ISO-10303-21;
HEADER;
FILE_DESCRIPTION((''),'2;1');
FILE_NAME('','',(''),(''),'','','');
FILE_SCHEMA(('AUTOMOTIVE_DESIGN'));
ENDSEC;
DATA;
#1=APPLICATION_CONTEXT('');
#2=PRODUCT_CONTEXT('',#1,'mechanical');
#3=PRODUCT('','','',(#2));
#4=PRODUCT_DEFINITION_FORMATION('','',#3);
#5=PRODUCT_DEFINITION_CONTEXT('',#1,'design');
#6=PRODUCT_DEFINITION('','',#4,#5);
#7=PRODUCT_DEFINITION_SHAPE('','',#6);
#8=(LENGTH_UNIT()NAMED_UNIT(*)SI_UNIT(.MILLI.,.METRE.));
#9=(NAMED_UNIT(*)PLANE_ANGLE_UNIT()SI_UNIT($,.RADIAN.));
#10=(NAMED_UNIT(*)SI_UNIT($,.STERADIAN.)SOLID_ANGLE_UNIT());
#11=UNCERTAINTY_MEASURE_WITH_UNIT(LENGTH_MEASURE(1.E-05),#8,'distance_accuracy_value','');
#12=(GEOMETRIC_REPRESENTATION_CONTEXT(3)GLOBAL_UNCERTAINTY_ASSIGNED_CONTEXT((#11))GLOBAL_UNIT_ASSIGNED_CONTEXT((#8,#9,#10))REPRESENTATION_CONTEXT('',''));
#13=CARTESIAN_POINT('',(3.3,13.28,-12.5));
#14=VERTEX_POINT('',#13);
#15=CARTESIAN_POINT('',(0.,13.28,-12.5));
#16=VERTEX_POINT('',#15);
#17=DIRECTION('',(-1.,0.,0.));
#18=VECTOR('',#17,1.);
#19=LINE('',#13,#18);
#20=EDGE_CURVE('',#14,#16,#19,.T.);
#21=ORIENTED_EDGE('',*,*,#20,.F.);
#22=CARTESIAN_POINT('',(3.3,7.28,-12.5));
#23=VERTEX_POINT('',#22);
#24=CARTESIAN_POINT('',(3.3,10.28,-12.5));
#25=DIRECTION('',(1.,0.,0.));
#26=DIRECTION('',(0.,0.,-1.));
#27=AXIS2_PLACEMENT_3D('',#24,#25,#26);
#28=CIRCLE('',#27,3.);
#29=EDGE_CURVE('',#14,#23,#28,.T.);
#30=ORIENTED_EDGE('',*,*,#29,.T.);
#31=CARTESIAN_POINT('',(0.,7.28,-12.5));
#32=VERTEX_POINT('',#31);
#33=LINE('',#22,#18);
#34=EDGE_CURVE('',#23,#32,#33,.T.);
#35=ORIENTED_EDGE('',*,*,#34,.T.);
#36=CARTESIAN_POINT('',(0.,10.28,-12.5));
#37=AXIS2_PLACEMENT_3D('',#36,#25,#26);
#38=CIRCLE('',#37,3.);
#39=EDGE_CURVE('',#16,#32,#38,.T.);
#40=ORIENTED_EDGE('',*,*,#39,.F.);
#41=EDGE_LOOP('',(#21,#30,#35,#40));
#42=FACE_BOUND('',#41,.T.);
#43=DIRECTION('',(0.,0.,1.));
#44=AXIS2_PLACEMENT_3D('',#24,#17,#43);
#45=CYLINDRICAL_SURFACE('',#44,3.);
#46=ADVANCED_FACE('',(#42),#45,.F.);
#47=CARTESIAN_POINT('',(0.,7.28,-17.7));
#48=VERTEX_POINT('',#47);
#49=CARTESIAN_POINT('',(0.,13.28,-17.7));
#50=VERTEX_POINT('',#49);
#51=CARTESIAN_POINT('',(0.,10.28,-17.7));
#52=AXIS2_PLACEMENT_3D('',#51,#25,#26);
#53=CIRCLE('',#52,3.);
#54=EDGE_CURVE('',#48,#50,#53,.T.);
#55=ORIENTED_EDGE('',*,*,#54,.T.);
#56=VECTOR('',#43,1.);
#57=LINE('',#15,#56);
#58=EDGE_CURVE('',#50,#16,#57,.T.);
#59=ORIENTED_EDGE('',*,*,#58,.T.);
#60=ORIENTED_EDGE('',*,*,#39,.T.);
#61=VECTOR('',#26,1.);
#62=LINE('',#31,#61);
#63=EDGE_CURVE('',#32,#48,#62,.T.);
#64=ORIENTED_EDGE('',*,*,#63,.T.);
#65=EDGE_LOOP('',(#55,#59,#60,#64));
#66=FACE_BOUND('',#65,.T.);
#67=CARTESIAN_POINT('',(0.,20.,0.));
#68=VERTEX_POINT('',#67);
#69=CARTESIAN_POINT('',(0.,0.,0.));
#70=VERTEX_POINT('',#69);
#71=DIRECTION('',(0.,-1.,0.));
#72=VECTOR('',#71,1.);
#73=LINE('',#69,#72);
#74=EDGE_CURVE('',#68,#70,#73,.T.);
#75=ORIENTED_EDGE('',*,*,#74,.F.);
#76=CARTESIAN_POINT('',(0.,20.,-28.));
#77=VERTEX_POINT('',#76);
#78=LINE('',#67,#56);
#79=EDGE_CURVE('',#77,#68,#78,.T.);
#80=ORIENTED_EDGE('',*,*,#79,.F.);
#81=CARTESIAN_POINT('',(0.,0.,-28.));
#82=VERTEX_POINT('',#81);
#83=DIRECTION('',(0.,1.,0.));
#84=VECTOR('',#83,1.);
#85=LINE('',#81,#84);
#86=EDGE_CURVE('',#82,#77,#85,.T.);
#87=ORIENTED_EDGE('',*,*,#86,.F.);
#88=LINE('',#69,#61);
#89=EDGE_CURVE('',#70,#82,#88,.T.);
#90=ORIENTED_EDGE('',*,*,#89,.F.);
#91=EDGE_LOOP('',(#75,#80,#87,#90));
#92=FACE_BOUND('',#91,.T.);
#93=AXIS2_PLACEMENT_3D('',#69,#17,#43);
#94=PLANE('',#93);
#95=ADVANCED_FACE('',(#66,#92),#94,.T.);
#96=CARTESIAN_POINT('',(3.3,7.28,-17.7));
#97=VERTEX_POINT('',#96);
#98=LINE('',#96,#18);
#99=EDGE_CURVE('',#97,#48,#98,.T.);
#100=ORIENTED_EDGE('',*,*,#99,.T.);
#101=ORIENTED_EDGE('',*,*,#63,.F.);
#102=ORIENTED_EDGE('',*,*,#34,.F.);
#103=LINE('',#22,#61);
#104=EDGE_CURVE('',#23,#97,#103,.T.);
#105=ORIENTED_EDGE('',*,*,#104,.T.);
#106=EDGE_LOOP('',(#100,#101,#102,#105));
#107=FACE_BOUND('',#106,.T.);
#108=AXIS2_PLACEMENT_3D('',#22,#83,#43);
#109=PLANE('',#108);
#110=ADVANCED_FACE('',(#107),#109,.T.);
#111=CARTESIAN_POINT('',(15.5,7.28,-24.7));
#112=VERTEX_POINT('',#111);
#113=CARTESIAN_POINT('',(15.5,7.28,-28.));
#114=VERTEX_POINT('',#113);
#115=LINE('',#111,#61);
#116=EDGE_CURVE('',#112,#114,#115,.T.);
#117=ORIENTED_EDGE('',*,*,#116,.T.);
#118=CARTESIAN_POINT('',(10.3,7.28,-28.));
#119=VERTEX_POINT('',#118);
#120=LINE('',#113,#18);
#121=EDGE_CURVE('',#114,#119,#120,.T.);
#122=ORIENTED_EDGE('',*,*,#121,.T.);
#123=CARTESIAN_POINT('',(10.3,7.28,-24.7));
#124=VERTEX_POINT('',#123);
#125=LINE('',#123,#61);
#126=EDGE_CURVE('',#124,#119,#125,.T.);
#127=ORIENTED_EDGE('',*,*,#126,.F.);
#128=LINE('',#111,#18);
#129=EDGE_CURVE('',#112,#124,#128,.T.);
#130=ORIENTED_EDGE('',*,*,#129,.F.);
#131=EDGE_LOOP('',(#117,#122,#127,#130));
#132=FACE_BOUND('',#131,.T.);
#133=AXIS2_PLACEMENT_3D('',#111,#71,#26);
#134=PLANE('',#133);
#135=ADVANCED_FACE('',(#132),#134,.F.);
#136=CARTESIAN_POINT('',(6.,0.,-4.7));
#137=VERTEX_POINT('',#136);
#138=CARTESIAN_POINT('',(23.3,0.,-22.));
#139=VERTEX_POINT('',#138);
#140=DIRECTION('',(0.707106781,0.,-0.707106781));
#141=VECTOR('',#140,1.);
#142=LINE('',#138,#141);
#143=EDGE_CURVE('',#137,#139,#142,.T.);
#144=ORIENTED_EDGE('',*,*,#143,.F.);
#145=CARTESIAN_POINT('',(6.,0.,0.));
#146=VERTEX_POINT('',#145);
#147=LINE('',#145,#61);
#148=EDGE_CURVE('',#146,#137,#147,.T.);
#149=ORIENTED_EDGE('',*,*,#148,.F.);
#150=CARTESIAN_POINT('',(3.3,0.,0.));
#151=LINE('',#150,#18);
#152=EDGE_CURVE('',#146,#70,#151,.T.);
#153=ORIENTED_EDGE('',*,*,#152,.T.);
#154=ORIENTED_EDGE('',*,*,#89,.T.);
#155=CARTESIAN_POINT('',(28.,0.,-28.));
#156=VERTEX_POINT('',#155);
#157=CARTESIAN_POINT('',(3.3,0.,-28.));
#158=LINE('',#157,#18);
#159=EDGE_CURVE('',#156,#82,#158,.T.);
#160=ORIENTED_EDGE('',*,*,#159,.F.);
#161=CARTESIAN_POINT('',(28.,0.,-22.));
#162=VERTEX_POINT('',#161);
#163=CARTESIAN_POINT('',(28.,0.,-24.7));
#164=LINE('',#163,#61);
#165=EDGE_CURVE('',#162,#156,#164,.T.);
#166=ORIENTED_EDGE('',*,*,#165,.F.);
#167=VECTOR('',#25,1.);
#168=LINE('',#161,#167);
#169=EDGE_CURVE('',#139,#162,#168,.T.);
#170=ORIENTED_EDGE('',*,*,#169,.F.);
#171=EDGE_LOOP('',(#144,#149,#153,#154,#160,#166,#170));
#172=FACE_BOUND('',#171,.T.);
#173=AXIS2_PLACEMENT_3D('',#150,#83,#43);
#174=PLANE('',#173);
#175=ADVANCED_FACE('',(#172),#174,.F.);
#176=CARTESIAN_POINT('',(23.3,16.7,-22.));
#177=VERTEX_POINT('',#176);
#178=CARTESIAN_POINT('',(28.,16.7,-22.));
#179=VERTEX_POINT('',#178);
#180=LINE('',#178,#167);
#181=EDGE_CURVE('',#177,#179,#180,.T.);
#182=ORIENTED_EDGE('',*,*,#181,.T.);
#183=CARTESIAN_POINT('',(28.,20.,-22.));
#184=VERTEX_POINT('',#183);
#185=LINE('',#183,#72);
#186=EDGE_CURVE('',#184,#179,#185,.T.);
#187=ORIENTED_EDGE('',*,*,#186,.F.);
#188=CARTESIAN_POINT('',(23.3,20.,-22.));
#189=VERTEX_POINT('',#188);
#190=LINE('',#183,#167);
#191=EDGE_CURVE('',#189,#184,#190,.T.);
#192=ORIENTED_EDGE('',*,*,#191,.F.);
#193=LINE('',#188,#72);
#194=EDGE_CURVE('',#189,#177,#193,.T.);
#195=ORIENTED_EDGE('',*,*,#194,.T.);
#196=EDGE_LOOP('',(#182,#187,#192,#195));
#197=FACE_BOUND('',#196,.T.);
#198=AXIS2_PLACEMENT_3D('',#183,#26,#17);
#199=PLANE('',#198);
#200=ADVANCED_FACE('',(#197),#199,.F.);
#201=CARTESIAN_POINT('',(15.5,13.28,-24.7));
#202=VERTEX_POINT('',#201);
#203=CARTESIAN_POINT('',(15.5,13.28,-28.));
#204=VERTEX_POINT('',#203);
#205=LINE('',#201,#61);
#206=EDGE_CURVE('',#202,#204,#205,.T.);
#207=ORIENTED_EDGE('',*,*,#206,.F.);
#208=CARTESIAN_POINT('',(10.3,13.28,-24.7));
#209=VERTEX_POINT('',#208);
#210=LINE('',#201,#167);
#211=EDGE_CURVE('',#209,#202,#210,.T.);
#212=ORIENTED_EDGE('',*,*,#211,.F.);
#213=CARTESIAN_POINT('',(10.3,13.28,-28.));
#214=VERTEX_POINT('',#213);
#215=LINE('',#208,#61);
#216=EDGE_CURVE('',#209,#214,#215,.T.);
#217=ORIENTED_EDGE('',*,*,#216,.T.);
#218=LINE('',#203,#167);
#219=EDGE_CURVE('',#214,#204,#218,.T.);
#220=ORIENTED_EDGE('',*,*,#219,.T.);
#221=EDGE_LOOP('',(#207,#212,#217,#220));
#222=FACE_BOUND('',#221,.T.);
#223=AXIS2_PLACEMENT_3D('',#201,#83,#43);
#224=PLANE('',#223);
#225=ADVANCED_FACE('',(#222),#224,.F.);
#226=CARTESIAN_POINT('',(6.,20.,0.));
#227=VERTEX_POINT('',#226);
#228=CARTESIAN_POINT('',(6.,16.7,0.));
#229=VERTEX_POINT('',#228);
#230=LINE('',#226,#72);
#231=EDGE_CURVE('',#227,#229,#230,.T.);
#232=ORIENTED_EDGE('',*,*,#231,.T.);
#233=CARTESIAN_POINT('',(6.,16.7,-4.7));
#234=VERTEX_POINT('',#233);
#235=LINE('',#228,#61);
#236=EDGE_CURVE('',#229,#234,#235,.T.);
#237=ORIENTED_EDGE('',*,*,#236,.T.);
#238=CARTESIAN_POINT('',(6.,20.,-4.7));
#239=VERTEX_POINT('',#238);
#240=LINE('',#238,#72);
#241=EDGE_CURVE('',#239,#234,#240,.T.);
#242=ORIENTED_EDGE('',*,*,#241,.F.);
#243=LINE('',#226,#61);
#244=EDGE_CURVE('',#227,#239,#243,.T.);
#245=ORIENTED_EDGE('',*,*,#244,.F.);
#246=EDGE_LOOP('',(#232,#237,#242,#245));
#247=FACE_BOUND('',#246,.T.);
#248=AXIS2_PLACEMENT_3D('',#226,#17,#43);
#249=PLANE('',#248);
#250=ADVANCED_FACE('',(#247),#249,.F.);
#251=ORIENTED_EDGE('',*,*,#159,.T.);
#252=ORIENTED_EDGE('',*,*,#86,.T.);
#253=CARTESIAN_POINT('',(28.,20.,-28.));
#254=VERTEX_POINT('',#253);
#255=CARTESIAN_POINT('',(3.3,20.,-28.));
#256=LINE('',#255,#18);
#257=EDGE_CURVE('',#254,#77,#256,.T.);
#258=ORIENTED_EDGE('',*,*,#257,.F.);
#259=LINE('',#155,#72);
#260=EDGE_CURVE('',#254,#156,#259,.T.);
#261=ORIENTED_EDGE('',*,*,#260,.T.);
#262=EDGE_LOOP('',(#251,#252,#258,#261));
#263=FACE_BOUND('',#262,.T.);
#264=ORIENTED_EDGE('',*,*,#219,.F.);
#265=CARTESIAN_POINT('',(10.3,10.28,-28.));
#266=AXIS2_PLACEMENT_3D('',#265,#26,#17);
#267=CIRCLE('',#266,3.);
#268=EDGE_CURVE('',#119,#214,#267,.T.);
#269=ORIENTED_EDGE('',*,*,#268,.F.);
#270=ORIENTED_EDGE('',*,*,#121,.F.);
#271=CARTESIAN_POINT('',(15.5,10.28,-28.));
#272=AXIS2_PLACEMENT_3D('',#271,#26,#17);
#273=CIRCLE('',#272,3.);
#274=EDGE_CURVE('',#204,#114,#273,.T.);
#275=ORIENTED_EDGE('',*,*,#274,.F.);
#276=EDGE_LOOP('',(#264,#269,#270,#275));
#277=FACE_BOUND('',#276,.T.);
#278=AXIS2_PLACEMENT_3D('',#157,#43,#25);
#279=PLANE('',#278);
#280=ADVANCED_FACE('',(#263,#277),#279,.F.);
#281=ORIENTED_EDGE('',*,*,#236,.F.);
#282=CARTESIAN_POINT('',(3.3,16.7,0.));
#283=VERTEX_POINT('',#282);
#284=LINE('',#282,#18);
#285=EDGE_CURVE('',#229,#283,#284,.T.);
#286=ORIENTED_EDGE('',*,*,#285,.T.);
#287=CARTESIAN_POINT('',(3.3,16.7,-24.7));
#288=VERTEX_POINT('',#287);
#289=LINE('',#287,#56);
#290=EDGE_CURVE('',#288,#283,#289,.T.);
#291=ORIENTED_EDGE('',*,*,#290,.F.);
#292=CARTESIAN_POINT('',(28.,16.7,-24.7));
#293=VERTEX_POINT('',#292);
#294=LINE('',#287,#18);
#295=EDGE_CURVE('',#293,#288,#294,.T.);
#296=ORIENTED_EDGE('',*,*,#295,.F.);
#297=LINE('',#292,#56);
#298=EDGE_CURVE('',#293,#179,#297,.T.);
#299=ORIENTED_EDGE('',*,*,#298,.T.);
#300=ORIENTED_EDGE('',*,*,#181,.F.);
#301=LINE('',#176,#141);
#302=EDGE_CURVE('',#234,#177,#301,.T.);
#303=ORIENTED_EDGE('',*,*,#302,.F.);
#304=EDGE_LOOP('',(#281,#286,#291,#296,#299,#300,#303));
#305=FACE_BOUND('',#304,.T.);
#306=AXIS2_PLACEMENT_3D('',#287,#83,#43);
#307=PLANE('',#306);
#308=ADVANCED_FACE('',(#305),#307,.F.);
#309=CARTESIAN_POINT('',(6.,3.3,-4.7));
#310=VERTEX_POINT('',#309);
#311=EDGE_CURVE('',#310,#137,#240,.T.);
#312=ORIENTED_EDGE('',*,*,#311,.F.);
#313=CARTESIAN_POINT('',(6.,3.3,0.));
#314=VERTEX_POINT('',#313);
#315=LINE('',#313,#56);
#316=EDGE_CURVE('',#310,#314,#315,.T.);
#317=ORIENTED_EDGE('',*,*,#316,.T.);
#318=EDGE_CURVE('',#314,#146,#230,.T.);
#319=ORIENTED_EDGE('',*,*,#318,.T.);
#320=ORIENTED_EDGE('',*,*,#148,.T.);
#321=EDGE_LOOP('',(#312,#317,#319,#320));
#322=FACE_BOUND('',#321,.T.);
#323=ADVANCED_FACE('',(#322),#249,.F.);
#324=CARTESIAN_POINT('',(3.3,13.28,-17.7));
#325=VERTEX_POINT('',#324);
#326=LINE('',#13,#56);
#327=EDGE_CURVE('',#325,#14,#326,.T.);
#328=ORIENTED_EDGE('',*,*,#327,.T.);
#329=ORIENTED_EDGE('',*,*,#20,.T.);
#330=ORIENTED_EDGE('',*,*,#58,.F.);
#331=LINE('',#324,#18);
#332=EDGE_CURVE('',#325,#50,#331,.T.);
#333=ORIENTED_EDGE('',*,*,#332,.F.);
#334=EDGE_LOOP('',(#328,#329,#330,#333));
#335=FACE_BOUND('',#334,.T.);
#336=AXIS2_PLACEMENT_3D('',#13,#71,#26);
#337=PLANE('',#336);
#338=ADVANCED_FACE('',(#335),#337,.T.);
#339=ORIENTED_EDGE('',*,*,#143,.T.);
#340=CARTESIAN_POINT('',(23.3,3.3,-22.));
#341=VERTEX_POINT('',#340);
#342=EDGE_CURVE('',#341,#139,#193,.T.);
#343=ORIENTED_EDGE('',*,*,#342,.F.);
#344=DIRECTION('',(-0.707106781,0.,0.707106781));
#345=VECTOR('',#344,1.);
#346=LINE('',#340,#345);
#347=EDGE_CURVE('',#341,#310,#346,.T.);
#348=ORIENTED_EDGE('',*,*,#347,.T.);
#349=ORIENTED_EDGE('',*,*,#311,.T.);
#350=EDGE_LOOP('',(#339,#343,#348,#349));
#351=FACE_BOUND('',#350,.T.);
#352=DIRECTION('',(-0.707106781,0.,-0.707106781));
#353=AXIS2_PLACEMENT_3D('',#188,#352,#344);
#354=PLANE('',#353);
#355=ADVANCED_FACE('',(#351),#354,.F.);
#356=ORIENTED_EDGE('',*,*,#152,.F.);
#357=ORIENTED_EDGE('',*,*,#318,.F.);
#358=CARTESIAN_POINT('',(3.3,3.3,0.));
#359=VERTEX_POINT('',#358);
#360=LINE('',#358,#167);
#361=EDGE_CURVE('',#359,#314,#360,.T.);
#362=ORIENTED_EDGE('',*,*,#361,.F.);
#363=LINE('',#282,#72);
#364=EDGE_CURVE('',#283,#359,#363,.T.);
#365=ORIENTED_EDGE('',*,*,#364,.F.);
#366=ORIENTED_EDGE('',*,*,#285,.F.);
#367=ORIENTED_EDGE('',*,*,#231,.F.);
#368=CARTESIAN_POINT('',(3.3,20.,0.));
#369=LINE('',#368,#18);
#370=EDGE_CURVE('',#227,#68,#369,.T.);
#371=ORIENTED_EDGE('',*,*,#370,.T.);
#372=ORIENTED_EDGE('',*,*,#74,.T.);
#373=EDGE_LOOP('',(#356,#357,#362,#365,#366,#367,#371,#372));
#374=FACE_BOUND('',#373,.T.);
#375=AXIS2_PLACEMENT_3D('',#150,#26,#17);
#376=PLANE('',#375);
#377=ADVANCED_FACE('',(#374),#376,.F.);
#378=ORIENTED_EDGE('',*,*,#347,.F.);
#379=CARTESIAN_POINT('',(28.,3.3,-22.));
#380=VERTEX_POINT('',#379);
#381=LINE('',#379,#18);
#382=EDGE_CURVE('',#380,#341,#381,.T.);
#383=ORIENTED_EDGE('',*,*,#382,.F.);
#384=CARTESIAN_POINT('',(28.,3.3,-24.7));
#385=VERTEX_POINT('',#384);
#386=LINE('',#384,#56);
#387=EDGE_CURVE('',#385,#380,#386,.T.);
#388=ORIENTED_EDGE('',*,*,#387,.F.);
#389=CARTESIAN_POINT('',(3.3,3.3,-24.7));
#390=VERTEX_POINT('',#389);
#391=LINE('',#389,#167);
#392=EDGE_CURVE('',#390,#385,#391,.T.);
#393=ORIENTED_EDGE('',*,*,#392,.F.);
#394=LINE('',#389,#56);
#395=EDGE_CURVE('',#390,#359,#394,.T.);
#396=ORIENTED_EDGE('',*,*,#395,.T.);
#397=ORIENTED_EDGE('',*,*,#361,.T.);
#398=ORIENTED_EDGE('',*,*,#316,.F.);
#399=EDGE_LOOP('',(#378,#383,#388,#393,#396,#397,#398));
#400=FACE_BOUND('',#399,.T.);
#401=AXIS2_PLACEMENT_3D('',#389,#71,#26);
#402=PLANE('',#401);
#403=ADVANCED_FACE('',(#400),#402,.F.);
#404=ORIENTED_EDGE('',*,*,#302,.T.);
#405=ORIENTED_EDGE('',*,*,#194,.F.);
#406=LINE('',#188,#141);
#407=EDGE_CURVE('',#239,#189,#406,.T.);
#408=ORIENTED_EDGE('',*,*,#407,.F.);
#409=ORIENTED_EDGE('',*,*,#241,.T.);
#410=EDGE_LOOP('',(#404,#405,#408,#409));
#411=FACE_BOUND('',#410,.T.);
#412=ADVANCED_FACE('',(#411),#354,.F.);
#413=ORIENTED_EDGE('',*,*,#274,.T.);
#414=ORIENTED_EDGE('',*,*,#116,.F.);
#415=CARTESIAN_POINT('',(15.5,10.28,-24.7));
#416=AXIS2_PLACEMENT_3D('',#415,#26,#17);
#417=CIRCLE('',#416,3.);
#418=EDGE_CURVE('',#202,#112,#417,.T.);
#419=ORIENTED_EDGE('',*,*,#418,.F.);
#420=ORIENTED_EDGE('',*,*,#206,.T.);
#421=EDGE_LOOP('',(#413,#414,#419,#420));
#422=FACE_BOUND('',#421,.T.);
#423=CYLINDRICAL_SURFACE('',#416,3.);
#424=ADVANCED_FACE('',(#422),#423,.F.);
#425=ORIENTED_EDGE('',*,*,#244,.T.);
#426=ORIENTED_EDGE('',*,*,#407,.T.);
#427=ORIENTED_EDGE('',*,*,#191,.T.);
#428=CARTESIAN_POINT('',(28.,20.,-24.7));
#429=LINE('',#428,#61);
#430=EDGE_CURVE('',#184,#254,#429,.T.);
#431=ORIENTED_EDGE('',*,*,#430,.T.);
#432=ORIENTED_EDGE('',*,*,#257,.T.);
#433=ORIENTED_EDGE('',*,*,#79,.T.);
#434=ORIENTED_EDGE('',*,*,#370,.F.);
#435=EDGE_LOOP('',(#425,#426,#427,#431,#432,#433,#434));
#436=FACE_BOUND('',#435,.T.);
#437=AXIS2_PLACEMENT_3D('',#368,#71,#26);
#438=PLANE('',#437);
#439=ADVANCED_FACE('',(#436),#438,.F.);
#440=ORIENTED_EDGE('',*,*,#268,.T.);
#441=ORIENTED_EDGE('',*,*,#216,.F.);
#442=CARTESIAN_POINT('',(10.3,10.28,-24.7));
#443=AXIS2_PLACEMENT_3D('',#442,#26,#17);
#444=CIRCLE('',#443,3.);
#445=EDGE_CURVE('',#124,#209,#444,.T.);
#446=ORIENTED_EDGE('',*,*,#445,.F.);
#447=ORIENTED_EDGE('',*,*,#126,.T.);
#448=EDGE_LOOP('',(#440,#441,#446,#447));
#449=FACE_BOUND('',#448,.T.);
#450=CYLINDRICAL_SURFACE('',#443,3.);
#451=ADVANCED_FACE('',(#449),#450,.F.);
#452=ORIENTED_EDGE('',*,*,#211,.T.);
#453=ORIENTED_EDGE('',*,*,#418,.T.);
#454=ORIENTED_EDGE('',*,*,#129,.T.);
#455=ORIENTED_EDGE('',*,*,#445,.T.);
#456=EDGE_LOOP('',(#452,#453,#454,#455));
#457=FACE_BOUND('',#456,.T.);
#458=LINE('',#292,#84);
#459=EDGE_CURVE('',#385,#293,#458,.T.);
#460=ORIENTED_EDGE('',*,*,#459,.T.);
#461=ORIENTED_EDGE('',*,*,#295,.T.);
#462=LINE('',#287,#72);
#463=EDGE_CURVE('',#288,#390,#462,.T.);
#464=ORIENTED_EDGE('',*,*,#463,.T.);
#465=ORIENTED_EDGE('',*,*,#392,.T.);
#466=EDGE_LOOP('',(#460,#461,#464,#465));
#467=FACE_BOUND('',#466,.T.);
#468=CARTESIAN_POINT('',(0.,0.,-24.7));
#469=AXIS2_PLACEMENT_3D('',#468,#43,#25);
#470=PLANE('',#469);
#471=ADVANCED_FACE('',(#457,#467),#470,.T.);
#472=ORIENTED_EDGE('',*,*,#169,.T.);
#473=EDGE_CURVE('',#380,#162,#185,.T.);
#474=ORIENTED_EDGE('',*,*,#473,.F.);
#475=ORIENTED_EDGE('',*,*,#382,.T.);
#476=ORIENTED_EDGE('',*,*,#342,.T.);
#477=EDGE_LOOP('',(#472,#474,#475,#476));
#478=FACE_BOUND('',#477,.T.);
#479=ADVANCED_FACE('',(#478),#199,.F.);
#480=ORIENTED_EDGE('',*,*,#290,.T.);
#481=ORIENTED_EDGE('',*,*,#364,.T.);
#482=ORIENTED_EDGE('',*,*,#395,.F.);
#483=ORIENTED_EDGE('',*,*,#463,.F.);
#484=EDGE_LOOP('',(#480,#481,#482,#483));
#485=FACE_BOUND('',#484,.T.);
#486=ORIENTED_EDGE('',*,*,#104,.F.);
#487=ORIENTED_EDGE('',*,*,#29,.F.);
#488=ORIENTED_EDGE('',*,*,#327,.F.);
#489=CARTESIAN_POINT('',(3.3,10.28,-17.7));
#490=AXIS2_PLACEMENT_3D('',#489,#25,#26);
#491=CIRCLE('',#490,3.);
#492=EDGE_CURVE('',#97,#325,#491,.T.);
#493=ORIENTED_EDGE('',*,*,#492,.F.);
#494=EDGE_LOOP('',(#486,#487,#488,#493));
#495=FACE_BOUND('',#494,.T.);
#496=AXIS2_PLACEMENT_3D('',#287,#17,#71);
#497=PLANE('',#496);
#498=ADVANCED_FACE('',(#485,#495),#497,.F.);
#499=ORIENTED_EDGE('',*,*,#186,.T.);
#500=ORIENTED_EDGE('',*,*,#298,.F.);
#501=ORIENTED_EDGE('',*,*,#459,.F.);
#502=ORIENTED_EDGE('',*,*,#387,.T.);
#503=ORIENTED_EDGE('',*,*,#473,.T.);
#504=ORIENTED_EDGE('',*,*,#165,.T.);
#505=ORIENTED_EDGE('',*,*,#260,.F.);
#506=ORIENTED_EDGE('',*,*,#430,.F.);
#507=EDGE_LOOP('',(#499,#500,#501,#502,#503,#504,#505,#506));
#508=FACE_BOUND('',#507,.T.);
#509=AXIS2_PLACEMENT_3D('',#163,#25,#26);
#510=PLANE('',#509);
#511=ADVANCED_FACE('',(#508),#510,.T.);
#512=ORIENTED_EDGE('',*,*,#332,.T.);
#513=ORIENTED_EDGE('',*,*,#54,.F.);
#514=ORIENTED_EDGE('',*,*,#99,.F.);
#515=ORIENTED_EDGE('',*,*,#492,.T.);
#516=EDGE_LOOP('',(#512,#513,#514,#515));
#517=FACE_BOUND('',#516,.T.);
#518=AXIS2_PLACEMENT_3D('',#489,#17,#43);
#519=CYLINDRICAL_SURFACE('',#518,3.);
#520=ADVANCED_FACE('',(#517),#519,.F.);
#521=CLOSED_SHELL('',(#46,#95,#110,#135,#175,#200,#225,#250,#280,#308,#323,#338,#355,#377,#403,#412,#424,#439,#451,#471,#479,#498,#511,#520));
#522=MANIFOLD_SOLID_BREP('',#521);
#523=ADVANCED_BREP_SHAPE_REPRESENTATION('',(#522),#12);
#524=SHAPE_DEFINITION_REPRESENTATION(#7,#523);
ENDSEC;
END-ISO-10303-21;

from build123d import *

# Parameters (mm, degrees)
SKETCH1_W           = 28
SKETCH1_H           = 20
BOSS_EXTRUDE1_DEPTH = 3.3
BOSS_EXTRUDE2_DEPTH = 10
SKETCH3_W           = 24.7
SKETCH3_H           = 13.4
CUT_EXTRUDE1_DEPTH  = 24.7


with BuildPart() as part:
    # Sketch1 → Boss-Extrude1 (new body)
    with BuildSketch(Plane(origin=(0, 0, 0), x_dir=(0, 0, -1), z_dir=(1, 0, 0))):
        with Locations((14, 10)):
            Rectangle(SKETCH1_W, SKETCH1_H)
        with BuildLine():
            Line((12.5, 13.28), (17.7, 13.28))
            ThreePointArc((17.7, 13.28), (20.7, 10.28), (17.7, 7.28))
            Line((17.7, 7.28), (12.5, 7.28))
            ThreePointArc((12.5, 7.28), (9.5, 10.28), (12.5, 13.28))
        make_face(mode=Mode.SUBTRACT)
    boss_extrude1 = extrude(amount=BOSS_EXTRUDE1_DEPTH)

    # Mirror1: Boss-Extrude1 across plane
    add(boss_extrude1.mirror(Plane(origin=(14, 0, -14), x_dir=(0.707106781, 0, 0.707106781), z_dir=(-0.707106781, 0, 0.707106781))))

    # Sketch2 → Boss-Extrude2 (add, symmetric)
    with BuildSketch(Plane(origin=(0, 10, 0), x_dir=(1, 0, 0), z_dir=(0, 1, 0))):
        Polygon((3.3, 0), (6, 0), (6, 4.7), (23.3, 22), (28, 22), (28, 24.7), (3.3, 24.7), align=None)
    extrude(amount=BOSS_EXTRUDE2_DEPTH, both=True)

    # Sketch3 → Cut-Extrude1 (cut)
    with BuildSketch(Plane.XY):
        with Locations((15.65, 10)):
            Rectangle(SKETCH3_W, SKETCH3_H)
    extrude(amount=-CUT_EXTRUDE1_DEPTH, mode=Mode.SUBTRACT)


solid = part.part
